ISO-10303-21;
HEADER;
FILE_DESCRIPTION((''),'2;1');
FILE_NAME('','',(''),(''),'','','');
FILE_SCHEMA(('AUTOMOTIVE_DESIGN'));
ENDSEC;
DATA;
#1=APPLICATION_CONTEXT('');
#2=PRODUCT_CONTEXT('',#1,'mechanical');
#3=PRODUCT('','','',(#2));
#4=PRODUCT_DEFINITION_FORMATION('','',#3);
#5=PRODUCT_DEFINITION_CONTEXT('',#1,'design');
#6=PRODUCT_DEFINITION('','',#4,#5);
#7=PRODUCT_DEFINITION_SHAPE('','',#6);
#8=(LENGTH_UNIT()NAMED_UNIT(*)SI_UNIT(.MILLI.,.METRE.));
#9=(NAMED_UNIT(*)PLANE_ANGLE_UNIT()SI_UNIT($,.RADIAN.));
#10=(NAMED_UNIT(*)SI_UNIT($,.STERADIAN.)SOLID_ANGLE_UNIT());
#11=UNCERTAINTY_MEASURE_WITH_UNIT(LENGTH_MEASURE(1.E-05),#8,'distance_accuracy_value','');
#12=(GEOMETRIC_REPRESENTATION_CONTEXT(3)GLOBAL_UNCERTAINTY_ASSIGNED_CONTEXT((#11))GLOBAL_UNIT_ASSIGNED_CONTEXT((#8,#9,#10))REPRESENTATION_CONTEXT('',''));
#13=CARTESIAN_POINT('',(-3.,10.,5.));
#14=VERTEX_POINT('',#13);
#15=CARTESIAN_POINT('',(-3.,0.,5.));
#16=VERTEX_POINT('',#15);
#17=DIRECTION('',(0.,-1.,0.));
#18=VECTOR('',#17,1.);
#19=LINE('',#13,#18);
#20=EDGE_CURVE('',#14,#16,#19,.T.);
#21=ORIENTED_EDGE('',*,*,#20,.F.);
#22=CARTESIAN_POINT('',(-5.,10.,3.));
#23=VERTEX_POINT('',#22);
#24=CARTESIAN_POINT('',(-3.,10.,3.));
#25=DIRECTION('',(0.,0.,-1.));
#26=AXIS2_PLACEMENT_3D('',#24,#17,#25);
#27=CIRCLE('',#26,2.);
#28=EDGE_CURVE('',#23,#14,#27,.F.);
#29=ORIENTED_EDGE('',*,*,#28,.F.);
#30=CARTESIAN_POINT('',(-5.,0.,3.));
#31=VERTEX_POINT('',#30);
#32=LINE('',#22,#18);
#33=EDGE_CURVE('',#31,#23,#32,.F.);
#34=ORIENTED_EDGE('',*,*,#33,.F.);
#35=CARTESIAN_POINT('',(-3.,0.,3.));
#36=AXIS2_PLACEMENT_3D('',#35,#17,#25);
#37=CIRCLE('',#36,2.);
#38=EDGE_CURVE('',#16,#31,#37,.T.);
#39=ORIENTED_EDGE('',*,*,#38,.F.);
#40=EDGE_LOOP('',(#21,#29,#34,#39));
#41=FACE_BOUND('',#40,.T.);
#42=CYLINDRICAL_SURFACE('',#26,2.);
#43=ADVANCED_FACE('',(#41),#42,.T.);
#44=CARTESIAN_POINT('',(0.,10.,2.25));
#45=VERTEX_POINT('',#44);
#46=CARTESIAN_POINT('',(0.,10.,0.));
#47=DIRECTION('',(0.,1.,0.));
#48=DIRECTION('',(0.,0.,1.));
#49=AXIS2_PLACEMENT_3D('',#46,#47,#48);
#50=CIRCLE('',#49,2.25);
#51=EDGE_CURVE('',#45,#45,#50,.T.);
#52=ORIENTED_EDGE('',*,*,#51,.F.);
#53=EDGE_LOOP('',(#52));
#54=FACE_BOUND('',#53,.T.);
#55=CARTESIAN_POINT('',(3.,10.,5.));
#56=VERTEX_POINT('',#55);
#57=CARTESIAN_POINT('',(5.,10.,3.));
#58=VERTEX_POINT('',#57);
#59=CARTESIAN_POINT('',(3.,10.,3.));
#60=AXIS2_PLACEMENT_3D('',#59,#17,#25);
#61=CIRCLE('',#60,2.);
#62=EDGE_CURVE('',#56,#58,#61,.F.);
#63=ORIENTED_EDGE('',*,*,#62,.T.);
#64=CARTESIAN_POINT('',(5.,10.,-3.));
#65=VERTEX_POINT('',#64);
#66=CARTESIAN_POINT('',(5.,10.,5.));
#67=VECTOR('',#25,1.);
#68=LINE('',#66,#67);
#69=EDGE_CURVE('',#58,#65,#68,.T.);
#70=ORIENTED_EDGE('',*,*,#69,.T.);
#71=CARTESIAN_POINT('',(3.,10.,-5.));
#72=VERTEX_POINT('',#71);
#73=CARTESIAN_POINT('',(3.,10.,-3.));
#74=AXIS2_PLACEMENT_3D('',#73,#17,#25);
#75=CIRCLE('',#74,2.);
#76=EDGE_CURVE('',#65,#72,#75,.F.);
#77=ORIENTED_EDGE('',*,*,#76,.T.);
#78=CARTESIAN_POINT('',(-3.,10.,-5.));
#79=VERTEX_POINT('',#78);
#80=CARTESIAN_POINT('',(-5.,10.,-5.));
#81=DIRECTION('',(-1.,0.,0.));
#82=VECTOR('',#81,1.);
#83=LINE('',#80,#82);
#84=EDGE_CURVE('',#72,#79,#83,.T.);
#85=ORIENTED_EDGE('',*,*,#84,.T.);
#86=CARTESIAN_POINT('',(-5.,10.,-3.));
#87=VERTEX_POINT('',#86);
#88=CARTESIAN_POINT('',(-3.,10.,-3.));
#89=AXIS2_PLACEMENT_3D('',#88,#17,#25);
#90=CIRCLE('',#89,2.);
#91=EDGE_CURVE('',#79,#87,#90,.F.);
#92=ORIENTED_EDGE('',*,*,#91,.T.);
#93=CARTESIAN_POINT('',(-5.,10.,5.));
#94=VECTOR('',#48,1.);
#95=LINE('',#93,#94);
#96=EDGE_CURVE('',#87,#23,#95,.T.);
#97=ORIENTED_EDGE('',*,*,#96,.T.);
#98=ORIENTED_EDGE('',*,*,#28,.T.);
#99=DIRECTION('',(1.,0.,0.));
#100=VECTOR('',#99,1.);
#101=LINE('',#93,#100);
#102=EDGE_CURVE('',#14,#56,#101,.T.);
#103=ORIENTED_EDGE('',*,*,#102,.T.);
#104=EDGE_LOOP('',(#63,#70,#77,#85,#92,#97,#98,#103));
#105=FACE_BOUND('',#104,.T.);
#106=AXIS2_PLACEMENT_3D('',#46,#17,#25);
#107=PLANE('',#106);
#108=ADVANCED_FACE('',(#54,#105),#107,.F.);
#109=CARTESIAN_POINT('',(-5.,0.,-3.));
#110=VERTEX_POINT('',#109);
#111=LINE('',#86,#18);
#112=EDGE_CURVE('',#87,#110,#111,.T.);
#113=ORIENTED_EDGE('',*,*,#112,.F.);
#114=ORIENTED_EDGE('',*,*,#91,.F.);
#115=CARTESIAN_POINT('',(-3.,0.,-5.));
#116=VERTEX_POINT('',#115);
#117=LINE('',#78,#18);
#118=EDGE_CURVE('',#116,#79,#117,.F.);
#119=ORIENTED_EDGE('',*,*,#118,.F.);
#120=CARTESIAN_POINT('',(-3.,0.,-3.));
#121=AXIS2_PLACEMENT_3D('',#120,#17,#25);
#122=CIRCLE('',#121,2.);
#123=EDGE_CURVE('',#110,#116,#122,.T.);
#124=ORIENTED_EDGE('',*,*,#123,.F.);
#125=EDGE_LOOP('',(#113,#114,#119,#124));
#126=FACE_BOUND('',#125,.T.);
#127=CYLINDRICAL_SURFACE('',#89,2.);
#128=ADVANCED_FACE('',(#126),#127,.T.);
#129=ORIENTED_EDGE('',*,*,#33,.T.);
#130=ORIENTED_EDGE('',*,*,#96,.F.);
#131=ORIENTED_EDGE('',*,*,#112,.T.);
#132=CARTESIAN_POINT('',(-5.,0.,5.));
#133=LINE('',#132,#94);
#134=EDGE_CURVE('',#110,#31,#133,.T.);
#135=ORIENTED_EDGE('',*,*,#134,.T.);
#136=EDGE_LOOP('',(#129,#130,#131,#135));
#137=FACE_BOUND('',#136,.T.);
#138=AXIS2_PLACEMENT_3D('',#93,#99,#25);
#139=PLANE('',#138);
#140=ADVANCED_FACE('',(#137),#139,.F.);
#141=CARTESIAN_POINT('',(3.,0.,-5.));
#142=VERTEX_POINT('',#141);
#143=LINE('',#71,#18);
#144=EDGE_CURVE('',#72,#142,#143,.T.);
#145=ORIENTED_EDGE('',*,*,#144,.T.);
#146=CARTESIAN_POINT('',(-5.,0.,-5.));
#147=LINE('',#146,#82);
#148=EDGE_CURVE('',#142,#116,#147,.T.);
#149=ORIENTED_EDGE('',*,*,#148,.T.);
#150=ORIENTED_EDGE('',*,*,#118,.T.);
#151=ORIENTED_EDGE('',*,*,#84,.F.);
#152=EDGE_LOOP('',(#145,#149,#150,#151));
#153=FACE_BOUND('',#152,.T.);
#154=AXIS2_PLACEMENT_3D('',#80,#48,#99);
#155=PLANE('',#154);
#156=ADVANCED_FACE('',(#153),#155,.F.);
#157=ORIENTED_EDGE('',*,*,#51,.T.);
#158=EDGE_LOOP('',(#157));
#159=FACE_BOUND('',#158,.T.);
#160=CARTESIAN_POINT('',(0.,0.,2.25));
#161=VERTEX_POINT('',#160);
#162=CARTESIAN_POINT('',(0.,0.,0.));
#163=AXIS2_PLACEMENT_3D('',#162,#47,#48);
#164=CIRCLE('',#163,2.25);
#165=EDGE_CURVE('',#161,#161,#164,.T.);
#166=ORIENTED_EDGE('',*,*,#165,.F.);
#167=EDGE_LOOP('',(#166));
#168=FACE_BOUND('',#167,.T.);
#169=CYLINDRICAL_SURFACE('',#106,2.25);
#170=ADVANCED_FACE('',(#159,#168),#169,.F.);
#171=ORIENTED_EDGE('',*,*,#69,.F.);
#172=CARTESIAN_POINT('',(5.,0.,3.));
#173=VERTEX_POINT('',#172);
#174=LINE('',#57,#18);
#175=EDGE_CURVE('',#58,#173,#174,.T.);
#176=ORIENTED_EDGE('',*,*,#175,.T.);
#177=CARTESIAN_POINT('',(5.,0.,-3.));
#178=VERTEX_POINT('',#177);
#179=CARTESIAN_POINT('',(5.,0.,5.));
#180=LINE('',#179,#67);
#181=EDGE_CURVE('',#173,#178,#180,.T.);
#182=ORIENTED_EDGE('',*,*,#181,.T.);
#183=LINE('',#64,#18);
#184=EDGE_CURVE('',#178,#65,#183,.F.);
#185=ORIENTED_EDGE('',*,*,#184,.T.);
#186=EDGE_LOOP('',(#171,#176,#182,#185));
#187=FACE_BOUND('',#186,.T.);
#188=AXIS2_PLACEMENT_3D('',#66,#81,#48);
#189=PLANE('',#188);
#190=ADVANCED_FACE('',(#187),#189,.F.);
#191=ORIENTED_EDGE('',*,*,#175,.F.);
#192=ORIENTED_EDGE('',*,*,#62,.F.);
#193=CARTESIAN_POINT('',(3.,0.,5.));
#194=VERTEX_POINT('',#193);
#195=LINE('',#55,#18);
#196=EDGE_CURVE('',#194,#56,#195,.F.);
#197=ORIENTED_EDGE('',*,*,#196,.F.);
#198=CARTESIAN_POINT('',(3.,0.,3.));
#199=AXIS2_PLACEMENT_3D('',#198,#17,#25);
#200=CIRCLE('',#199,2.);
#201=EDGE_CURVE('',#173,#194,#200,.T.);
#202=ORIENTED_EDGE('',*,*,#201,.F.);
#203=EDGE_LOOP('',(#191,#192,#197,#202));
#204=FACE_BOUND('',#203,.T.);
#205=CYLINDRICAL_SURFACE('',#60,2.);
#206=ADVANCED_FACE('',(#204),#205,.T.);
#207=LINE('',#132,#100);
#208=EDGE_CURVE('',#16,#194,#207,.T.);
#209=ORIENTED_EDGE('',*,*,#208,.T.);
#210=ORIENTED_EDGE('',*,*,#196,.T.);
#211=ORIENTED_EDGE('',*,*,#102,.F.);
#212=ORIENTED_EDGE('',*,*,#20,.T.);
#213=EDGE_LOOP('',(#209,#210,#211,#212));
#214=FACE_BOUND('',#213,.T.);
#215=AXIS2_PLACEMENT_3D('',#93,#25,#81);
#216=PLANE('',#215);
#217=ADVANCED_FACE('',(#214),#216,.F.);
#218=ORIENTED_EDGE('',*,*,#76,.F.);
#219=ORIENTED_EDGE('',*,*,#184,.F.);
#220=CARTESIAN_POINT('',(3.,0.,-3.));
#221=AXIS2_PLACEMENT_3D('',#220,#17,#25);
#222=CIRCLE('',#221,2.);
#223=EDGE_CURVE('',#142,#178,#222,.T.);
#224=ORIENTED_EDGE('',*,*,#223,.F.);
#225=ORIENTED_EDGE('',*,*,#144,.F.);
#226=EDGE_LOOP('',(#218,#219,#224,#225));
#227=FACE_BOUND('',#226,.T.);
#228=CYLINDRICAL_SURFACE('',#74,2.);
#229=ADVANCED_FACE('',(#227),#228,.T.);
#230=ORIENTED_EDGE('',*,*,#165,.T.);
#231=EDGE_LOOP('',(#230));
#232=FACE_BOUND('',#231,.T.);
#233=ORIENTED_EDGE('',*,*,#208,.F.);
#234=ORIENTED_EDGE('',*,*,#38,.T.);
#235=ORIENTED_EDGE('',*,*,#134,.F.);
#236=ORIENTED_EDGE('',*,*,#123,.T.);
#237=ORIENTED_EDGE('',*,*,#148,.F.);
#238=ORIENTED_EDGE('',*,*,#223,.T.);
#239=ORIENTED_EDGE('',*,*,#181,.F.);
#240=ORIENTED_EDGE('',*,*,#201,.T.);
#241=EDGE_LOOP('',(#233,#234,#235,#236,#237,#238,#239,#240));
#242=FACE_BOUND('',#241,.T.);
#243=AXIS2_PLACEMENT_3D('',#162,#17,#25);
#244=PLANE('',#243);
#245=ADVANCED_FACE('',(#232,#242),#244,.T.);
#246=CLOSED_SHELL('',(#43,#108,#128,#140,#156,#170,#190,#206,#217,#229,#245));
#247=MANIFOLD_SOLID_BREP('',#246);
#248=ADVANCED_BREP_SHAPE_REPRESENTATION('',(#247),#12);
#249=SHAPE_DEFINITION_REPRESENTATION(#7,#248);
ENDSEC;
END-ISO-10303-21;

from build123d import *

# Parameters (mm, degrees)
SKETCH1_W           = 10
SKETCH1_H           = 10
SKETCH1_R           = 2.25
BOSS_EXTRUDE1_DEPTH = 10
FILLET1_R           = 2


with BuildPart() as part:
    # Sketch1 → Boss-Extrude1 (new body)
    with BuildSketch(Plane(origin=(0, 0, 0), x_dir=(1, 0, 0), z_dir=(0, 1, 0))):
        Rectangle(SKETCH1_W, SKETCH1_H)
        Circle(SKETCH1_R, mode=Mode.SUBTRACT)
    extrude(amount=BOSS_EXTRUDE1_DEPTH)

    # Fillet1
    fillet1_edges = [part.edges().sort_by_distance(p)[0] for p in [
        (5, 5, 5),
        (-5, 5, 5),
        (-5, 5, -5),
        (5, 5, -5),
    ]]
    fillet(fillet1_edges, radius=FILLET1_R)


solid = part.part
